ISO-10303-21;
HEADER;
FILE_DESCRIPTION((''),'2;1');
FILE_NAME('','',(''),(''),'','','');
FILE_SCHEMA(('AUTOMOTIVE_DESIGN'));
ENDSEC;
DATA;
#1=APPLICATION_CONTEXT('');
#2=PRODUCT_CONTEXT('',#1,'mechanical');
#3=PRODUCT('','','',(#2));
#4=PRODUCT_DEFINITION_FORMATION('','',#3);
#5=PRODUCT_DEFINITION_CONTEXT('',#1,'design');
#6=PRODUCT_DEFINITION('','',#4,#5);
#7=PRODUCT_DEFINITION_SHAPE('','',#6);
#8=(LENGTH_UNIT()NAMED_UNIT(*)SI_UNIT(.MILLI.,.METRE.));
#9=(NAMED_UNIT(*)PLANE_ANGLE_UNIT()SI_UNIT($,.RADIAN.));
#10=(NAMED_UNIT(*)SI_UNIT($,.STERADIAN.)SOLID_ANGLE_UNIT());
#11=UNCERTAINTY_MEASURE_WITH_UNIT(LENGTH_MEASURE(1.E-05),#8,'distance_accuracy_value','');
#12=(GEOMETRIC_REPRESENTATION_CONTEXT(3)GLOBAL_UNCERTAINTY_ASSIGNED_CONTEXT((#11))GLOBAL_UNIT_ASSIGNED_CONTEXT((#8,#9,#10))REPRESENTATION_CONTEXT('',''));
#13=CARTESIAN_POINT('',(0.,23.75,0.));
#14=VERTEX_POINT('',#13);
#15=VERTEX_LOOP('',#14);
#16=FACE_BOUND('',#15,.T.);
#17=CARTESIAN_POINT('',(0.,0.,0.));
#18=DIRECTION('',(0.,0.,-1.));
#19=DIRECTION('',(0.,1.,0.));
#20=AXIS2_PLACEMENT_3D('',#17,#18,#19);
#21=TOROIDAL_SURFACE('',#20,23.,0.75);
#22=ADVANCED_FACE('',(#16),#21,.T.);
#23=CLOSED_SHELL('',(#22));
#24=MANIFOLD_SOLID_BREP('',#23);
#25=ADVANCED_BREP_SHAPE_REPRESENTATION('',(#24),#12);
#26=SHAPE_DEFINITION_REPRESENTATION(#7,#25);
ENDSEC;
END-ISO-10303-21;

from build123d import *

# Parameters (mm, degrees)
SKETCH1_R = 0.75


with BuildPart() as part:
    # Sketch1 → Revolve1 (revolve)
    with BuildSketch(Plane(origin=(0, 0, 0), x_dir=(0, 0, -1), z_dir=(1, 0, 0))):
        with Locations((0, 23)):
            Circle(SKETCH1_R)
    revolve(axis=Axis((0, 0, 0), (0, 0, 1)))


solid = part.part
